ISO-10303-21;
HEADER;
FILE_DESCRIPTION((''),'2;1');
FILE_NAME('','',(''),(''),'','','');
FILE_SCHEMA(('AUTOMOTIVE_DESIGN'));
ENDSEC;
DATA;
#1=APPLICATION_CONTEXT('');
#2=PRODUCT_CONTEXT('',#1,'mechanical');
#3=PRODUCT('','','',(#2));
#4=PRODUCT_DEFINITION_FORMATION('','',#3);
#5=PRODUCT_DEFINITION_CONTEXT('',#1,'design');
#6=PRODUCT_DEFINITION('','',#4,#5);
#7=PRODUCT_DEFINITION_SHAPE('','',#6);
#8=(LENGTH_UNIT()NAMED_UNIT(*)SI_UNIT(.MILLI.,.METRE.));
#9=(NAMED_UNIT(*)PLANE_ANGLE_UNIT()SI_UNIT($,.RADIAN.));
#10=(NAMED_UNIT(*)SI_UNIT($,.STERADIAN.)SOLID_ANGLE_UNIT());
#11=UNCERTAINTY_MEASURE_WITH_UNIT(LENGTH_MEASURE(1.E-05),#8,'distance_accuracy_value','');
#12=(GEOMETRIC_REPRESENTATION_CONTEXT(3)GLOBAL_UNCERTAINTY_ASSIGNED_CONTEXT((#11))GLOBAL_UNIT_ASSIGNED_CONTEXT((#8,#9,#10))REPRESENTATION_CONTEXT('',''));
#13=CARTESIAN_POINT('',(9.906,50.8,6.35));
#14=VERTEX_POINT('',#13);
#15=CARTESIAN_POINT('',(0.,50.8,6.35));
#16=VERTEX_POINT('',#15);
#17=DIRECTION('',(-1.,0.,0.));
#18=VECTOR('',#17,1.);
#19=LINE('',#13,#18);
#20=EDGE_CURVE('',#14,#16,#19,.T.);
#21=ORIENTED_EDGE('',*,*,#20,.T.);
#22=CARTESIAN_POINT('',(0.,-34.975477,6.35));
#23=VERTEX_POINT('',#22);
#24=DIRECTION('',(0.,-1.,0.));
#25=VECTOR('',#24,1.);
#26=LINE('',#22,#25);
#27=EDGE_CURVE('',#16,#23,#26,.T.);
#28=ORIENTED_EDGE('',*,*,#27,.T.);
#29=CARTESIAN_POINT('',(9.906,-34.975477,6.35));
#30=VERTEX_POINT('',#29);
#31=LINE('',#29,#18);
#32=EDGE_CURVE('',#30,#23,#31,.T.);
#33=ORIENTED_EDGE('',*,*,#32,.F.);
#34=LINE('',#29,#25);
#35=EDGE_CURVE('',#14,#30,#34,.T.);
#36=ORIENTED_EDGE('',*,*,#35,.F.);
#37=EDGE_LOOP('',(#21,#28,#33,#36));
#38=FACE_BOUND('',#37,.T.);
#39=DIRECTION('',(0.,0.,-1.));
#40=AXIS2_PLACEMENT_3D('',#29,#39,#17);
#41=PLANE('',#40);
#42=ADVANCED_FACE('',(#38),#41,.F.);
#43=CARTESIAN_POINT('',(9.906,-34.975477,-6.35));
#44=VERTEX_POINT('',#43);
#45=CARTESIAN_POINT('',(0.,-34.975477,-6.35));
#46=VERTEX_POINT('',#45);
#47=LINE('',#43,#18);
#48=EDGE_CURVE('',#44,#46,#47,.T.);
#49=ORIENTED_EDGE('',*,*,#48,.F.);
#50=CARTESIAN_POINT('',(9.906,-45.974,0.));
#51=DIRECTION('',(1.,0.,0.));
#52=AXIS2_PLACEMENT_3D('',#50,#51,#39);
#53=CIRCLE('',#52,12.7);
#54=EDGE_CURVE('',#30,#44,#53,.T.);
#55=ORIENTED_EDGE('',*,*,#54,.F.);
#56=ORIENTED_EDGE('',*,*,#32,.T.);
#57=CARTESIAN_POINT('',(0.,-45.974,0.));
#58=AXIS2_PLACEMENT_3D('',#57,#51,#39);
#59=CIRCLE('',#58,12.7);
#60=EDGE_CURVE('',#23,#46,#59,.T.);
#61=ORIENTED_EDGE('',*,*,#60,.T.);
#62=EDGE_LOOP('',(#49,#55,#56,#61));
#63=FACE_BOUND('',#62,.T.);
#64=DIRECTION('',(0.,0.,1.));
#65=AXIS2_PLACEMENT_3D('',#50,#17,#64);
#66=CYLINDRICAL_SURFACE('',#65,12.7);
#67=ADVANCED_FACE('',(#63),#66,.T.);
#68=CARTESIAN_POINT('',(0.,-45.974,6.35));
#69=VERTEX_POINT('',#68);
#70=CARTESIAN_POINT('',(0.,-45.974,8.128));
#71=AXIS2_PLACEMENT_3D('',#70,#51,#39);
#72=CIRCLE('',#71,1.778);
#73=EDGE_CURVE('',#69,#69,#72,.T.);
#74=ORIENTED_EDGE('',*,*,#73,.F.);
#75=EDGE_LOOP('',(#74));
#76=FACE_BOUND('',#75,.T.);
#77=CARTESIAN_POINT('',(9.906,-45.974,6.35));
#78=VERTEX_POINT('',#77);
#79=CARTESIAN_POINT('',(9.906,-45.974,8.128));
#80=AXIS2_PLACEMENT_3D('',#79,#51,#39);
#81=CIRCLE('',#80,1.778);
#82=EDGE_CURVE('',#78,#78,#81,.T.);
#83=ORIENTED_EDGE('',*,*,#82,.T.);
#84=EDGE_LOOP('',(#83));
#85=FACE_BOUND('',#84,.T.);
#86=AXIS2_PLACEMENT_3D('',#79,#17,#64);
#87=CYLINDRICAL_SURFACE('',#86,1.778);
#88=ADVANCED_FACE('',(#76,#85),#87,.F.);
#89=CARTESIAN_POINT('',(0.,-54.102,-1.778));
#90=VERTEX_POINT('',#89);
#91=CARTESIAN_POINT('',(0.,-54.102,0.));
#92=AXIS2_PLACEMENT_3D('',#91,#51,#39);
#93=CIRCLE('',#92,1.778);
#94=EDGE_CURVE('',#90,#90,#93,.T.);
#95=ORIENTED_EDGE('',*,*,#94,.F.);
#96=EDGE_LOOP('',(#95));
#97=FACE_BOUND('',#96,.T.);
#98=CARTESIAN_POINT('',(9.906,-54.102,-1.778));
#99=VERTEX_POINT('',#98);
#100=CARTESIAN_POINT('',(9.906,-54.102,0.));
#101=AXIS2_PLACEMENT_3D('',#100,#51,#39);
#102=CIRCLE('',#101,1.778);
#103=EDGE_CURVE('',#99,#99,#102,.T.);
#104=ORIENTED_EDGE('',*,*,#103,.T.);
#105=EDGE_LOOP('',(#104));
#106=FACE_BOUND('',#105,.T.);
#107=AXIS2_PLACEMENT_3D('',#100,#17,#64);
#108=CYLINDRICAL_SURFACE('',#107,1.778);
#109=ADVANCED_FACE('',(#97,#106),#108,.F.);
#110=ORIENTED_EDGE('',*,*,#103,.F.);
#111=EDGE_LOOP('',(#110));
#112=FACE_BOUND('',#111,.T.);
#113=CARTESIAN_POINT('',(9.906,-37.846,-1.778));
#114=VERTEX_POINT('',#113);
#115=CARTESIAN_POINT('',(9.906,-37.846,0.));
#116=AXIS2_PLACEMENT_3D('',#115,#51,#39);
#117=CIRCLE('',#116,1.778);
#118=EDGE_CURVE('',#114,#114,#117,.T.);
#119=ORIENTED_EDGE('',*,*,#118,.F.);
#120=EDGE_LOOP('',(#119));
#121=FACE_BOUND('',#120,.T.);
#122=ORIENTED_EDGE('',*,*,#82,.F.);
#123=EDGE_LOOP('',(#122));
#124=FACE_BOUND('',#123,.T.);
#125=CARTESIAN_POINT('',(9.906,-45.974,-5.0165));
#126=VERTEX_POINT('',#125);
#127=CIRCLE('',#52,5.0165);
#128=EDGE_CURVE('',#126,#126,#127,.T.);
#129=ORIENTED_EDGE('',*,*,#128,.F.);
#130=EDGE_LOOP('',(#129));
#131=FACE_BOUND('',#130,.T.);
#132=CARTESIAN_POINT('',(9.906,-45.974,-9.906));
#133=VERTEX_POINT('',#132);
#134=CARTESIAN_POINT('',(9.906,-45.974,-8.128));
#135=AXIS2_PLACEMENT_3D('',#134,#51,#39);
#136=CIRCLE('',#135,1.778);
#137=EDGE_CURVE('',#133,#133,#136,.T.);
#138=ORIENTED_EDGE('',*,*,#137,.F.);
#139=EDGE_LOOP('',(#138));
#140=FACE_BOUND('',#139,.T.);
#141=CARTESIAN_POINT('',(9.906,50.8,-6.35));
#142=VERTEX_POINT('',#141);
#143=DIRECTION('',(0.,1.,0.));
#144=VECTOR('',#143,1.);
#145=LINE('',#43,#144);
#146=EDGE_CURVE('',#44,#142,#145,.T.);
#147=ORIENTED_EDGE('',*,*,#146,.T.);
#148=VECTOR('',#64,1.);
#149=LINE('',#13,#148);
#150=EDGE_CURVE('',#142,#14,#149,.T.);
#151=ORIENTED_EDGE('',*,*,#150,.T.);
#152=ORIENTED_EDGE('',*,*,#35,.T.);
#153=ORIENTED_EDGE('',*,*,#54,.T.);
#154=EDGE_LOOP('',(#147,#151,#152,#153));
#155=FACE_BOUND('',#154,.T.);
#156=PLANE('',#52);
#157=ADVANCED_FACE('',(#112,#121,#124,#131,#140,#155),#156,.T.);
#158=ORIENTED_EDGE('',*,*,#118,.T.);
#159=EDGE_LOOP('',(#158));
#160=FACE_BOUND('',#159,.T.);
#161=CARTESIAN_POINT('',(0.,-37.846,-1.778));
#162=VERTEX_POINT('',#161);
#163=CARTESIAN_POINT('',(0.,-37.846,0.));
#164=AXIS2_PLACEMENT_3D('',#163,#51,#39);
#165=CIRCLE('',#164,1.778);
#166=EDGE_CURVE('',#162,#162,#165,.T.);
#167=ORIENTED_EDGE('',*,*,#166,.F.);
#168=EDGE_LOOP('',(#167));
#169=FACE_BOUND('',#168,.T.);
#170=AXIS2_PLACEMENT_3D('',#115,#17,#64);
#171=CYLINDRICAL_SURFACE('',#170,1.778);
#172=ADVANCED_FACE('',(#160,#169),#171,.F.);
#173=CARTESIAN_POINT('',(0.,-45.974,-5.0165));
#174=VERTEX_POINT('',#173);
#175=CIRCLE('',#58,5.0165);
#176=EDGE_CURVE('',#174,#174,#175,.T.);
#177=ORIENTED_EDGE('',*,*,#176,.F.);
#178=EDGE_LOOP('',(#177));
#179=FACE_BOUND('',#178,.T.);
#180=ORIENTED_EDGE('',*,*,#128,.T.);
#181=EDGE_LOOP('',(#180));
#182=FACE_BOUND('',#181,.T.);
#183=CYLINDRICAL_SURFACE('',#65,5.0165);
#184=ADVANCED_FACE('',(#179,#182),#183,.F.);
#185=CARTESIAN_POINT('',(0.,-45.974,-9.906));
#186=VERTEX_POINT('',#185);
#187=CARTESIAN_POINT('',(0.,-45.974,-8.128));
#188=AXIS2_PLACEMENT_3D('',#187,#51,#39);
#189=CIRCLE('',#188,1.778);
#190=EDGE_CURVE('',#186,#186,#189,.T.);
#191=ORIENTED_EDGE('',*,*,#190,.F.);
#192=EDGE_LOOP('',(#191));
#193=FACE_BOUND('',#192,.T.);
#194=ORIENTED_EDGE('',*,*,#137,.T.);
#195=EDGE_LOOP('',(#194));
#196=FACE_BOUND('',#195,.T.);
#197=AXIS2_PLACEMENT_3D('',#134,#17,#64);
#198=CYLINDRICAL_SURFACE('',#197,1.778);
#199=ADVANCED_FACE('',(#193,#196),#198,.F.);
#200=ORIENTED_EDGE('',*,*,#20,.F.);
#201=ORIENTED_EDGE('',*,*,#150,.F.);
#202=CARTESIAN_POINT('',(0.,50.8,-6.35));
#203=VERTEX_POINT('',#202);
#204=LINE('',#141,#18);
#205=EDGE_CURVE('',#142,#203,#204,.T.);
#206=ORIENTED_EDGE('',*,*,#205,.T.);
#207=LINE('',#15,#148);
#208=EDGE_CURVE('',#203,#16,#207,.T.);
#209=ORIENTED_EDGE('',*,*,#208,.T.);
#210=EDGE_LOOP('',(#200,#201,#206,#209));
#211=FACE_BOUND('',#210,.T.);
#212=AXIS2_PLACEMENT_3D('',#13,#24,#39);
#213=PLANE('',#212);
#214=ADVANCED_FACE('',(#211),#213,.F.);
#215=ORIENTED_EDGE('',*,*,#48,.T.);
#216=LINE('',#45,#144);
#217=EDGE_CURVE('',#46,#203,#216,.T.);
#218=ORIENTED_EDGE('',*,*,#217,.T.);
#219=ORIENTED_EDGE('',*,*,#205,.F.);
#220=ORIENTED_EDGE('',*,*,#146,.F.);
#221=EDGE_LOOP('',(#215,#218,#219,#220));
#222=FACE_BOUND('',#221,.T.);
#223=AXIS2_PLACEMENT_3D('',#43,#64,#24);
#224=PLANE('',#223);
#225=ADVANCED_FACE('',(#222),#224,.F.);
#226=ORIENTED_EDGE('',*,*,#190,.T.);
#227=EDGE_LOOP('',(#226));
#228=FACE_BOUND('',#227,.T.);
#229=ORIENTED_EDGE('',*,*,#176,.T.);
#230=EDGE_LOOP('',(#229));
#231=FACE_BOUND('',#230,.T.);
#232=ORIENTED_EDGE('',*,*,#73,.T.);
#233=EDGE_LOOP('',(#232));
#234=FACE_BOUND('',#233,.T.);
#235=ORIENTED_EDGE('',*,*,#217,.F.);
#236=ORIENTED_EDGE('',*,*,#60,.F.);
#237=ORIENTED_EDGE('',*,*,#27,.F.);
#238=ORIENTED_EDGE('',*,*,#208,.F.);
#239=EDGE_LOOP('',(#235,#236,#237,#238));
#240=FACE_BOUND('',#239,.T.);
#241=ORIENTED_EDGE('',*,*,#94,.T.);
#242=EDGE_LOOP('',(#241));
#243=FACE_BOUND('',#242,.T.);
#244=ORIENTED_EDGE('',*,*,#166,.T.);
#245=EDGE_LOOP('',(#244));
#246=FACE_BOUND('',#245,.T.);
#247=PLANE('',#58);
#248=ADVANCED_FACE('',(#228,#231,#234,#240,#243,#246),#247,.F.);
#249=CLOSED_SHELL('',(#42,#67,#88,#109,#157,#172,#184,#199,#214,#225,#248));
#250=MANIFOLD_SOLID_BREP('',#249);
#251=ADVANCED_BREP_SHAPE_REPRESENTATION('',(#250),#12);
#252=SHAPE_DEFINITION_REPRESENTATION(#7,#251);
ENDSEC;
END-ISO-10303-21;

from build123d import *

# Parameters (mm, degrees)
SKETCH1_R           = 5.0165
SKETCH1_R_2         = 1.778
BOSS_EXTRUDE1_DEPTH = 9.906


with BuildPart() as part:
    # Sketch1 → Boss-Extrude1 (new body)
    with BuildSketch(Plane(origin=(0, 0, 0), x_dir=(0, 0, -1), z_dir=(1, 0, 0))):
        with BuildLine():
            Line((-6.35, -34.97547742), (-6.35, 50.8))
            Line((-6.35, 50.8), (6.35, 50.8))
            Line((6.35, 50.8), (6.35, -34.97547742))
            ThreePointArc((6.35, -34.97547742), (0, -58.674000048), (-6.35, -34.97547742))
        make_face()
        with Locations((0, -45.974000048)):
            Circle(SKETCH1_R, mode=Mode.SUBTRACT)
        with Locations((-8.128, -45.974000048)):
            Circle(SKETCH1_R_2, mode=Mode.SUBTRACT)
        with Locations((0, -37.846000048)):
            Circle(SKETCH1_R_2, mode=Mode.SUBTRACT)
        with Locations((8.128, -45.974000048)):
            Circle(SKETCH1_R_2, mode=Mode.SUBTRACT)
        with Locations((0, -54.102000048)):
            Circle(SKETCH1_R_2, mode=Mode.SUBTRACT)
    extrude(amount=BOSS_EXTRUDE1_DEPTH)


solid = part.part
